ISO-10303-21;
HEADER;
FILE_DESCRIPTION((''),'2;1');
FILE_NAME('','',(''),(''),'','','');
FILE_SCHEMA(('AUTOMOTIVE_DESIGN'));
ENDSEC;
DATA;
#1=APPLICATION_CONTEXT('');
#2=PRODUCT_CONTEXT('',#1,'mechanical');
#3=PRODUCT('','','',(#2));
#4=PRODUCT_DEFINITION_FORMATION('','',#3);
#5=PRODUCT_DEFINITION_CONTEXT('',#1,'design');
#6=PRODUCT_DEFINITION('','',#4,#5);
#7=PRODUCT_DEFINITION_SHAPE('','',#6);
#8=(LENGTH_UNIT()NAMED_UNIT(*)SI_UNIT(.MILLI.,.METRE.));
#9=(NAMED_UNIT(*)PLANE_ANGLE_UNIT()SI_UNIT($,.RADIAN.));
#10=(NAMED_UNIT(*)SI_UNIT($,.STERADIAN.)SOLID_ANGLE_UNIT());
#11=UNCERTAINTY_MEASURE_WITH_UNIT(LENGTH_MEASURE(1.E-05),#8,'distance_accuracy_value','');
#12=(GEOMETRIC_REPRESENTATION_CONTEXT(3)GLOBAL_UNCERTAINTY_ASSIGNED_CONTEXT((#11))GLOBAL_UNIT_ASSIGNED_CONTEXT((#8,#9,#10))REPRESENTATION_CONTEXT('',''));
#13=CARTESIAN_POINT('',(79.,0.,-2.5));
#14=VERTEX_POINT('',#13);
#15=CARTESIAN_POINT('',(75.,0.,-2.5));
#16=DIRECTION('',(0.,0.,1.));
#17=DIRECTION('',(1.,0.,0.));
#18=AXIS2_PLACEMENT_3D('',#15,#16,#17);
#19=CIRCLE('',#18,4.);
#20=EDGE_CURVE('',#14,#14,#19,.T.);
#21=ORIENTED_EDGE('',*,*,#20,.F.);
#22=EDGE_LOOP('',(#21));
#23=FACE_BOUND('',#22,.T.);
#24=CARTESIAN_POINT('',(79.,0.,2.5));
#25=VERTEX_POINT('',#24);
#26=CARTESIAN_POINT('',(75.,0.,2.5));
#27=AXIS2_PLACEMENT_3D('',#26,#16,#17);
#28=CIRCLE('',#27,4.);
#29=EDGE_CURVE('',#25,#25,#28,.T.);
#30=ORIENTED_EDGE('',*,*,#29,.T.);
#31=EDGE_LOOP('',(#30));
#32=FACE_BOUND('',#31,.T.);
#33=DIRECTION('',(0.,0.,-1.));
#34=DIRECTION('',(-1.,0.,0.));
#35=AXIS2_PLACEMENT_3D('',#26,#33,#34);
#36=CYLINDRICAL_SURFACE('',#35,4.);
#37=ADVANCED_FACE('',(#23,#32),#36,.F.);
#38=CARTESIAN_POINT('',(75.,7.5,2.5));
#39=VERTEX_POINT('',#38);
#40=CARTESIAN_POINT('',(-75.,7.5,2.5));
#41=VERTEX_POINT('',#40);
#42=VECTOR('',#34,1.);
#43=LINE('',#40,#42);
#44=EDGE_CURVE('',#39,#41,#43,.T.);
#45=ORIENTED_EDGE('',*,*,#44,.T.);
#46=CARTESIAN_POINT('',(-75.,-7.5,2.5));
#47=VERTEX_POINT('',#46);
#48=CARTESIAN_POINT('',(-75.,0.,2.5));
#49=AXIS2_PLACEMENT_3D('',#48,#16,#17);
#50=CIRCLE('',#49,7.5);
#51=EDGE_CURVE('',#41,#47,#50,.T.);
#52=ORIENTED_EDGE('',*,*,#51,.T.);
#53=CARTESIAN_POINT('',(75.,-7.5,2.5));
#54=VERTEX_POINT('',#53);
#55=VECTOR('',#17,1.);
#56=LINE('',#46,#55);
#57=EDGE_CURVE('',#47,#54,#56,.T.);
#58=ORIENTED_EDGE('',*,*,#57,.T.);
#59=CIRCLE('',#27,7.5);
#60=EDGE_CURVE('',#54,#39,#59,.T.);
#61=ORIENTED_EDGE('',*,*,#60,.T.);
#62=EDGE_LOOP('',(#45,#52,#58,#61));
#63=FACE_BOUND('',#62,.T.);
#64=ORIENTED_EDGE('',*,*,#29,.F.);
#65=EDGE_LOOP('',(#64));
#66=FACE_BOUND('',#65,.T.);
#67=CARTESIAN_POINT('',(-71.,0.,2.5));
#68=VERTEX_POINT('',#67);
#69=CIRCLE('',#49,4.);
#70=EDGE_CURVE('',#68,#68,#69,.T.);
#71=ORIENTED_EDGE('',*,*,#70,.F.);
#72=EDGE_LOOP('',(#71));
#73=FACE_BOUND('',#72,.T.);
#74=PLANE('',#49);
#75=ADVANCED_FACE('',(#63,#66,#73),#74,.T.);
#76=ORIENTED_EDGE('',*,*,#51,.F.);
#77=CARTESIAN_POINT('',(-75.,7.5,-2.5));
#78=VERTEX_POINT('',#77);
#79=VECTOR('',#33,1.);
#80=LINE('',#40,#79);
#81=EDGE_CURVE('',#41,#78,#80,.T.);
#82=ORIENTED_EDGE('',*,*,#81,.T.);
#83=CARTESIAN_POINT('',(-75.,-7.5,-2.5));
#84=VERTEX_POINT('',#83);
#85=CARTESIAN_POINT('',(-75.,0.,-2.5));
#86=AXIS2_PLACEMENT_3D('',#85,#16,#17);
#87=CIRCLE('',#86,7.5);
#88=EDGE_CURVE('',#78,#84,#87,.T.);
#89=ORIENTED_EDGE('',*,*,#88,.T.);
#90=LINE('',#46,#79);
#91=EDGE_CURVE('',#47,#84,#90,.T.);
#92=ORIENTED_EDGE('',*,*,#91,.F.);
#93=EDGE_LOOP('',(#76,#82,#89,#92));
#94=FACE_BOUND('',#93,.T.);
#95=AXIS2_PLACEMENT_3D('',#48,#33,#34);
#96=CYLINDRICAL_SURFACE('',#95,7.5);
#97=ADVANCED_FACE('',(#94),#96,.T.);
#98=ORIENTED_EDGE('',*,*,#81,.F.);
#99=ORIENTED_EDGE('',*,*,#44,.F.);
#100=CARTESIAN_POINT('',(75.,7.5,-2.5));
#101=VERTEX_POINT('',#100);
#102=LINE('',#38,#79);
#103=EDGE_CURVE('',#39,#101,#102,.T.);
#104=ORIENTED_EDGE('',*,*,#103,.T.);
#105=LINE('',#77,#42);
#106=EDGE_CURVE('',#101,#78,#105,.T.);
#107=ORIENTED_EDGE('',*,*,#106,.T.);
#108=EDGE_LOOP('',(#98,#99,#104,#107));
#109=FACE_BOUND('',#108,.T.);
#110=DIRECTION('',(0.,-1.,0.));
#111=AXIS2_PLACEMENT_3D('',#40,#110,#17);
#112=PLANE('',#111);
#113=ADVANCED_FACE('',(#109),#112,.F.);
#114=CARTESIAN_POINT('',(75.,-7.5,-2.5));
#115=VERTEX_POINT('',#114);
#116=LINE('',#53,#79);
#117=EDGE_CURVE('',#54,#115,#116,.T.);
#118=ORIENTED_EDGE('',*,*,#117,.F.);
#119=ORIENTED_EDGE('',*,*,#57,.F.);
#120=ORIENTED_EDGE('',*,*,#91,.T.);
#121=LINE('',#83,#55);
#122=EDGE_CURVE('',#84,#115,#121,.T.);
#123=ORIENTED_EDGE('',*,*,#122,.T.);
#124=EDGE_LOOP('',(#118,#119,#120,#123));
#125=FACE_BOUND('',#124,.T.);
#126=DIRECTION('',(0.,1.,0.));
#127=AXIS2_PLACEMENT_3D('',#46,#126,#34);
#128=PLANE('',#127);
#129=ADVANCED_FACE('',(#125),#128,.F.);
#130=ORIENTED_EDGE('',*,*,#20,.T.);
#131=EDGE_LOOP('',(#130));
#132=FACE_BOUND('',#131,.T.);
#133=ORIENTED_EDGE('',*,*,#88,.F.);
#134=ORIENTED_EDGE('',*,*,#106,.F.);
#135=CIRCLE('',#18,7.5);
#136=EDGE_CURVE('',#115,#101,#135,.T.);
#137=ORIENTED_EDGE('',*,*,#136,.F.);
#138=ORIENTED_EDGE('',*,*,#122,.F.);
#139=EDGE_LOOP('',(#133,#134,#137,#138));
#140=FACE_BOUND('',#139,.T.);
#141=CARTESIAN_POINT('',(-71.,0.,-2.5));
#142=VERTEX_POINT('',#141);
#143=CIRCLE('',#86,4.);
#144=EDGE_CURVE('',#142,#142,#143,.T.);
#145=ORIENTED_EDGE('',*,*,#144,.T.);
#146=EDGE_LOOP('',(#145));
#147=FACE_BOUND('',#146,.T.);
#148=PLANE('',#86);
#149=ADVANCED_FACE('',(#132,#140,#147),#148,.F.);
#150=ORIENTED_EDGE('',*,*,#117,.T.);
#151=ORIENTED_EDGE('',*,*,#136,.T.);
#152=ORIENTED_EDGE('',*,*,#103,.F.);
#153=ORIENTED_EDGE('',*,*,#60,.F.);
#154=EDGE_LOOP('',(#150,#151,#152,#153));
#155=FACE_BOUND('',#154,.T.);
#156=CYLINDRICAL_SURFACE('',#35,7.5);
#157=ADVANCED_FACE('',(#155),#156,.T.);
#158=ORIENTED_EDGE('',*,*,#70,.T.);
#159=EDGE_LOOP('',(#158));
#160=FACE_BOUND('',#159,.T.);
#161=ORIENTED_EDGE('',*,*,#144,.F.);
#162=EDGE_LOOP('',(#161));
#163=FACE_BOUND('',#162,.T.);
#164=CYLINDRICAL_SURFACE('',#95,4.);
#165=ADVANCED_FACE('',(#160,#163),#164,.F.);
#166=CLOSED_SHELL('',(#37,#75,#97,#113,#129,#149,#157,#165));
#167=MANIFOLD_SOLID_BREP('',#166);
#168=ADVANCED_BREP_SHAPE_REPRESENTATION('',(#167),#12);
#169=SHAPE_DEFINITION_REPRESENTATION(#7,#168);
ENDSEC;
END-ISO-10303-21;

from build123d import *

# Parameters (mm, degrees)
SKETCH1_R           = 4
BOSS_EXTRUDE1_DEPTH = 2.5


with BuildPart() as part:
    # Sketch1 → Boss-Extrude1 (new, symmetric)
    with BuildSketch(Plane.XY):
        with BuildLine():
            Line((-75, 7.5), (75, 7.5))
            ThreePointArc((75, 7.5), (82.5, 0), (75, -7.5))
            Line((75, -7.5), (-75, -7.5))
            ThreePointArc((-75, -7.5), (-82.5, 0), (-75, 7.5))
        make_face()
        with Locations((75, 0)):
            Circle(SKETCH1_R, mode=Mode.SUBTRACT)
        with Locations((-75, 0)):
            Circle(SKETCH1_R, mode=Mode.SUBTRACT)
    extrude(amount=BOSS_EXTRUDE1_DEPTH, both=True)


solid = part.part
